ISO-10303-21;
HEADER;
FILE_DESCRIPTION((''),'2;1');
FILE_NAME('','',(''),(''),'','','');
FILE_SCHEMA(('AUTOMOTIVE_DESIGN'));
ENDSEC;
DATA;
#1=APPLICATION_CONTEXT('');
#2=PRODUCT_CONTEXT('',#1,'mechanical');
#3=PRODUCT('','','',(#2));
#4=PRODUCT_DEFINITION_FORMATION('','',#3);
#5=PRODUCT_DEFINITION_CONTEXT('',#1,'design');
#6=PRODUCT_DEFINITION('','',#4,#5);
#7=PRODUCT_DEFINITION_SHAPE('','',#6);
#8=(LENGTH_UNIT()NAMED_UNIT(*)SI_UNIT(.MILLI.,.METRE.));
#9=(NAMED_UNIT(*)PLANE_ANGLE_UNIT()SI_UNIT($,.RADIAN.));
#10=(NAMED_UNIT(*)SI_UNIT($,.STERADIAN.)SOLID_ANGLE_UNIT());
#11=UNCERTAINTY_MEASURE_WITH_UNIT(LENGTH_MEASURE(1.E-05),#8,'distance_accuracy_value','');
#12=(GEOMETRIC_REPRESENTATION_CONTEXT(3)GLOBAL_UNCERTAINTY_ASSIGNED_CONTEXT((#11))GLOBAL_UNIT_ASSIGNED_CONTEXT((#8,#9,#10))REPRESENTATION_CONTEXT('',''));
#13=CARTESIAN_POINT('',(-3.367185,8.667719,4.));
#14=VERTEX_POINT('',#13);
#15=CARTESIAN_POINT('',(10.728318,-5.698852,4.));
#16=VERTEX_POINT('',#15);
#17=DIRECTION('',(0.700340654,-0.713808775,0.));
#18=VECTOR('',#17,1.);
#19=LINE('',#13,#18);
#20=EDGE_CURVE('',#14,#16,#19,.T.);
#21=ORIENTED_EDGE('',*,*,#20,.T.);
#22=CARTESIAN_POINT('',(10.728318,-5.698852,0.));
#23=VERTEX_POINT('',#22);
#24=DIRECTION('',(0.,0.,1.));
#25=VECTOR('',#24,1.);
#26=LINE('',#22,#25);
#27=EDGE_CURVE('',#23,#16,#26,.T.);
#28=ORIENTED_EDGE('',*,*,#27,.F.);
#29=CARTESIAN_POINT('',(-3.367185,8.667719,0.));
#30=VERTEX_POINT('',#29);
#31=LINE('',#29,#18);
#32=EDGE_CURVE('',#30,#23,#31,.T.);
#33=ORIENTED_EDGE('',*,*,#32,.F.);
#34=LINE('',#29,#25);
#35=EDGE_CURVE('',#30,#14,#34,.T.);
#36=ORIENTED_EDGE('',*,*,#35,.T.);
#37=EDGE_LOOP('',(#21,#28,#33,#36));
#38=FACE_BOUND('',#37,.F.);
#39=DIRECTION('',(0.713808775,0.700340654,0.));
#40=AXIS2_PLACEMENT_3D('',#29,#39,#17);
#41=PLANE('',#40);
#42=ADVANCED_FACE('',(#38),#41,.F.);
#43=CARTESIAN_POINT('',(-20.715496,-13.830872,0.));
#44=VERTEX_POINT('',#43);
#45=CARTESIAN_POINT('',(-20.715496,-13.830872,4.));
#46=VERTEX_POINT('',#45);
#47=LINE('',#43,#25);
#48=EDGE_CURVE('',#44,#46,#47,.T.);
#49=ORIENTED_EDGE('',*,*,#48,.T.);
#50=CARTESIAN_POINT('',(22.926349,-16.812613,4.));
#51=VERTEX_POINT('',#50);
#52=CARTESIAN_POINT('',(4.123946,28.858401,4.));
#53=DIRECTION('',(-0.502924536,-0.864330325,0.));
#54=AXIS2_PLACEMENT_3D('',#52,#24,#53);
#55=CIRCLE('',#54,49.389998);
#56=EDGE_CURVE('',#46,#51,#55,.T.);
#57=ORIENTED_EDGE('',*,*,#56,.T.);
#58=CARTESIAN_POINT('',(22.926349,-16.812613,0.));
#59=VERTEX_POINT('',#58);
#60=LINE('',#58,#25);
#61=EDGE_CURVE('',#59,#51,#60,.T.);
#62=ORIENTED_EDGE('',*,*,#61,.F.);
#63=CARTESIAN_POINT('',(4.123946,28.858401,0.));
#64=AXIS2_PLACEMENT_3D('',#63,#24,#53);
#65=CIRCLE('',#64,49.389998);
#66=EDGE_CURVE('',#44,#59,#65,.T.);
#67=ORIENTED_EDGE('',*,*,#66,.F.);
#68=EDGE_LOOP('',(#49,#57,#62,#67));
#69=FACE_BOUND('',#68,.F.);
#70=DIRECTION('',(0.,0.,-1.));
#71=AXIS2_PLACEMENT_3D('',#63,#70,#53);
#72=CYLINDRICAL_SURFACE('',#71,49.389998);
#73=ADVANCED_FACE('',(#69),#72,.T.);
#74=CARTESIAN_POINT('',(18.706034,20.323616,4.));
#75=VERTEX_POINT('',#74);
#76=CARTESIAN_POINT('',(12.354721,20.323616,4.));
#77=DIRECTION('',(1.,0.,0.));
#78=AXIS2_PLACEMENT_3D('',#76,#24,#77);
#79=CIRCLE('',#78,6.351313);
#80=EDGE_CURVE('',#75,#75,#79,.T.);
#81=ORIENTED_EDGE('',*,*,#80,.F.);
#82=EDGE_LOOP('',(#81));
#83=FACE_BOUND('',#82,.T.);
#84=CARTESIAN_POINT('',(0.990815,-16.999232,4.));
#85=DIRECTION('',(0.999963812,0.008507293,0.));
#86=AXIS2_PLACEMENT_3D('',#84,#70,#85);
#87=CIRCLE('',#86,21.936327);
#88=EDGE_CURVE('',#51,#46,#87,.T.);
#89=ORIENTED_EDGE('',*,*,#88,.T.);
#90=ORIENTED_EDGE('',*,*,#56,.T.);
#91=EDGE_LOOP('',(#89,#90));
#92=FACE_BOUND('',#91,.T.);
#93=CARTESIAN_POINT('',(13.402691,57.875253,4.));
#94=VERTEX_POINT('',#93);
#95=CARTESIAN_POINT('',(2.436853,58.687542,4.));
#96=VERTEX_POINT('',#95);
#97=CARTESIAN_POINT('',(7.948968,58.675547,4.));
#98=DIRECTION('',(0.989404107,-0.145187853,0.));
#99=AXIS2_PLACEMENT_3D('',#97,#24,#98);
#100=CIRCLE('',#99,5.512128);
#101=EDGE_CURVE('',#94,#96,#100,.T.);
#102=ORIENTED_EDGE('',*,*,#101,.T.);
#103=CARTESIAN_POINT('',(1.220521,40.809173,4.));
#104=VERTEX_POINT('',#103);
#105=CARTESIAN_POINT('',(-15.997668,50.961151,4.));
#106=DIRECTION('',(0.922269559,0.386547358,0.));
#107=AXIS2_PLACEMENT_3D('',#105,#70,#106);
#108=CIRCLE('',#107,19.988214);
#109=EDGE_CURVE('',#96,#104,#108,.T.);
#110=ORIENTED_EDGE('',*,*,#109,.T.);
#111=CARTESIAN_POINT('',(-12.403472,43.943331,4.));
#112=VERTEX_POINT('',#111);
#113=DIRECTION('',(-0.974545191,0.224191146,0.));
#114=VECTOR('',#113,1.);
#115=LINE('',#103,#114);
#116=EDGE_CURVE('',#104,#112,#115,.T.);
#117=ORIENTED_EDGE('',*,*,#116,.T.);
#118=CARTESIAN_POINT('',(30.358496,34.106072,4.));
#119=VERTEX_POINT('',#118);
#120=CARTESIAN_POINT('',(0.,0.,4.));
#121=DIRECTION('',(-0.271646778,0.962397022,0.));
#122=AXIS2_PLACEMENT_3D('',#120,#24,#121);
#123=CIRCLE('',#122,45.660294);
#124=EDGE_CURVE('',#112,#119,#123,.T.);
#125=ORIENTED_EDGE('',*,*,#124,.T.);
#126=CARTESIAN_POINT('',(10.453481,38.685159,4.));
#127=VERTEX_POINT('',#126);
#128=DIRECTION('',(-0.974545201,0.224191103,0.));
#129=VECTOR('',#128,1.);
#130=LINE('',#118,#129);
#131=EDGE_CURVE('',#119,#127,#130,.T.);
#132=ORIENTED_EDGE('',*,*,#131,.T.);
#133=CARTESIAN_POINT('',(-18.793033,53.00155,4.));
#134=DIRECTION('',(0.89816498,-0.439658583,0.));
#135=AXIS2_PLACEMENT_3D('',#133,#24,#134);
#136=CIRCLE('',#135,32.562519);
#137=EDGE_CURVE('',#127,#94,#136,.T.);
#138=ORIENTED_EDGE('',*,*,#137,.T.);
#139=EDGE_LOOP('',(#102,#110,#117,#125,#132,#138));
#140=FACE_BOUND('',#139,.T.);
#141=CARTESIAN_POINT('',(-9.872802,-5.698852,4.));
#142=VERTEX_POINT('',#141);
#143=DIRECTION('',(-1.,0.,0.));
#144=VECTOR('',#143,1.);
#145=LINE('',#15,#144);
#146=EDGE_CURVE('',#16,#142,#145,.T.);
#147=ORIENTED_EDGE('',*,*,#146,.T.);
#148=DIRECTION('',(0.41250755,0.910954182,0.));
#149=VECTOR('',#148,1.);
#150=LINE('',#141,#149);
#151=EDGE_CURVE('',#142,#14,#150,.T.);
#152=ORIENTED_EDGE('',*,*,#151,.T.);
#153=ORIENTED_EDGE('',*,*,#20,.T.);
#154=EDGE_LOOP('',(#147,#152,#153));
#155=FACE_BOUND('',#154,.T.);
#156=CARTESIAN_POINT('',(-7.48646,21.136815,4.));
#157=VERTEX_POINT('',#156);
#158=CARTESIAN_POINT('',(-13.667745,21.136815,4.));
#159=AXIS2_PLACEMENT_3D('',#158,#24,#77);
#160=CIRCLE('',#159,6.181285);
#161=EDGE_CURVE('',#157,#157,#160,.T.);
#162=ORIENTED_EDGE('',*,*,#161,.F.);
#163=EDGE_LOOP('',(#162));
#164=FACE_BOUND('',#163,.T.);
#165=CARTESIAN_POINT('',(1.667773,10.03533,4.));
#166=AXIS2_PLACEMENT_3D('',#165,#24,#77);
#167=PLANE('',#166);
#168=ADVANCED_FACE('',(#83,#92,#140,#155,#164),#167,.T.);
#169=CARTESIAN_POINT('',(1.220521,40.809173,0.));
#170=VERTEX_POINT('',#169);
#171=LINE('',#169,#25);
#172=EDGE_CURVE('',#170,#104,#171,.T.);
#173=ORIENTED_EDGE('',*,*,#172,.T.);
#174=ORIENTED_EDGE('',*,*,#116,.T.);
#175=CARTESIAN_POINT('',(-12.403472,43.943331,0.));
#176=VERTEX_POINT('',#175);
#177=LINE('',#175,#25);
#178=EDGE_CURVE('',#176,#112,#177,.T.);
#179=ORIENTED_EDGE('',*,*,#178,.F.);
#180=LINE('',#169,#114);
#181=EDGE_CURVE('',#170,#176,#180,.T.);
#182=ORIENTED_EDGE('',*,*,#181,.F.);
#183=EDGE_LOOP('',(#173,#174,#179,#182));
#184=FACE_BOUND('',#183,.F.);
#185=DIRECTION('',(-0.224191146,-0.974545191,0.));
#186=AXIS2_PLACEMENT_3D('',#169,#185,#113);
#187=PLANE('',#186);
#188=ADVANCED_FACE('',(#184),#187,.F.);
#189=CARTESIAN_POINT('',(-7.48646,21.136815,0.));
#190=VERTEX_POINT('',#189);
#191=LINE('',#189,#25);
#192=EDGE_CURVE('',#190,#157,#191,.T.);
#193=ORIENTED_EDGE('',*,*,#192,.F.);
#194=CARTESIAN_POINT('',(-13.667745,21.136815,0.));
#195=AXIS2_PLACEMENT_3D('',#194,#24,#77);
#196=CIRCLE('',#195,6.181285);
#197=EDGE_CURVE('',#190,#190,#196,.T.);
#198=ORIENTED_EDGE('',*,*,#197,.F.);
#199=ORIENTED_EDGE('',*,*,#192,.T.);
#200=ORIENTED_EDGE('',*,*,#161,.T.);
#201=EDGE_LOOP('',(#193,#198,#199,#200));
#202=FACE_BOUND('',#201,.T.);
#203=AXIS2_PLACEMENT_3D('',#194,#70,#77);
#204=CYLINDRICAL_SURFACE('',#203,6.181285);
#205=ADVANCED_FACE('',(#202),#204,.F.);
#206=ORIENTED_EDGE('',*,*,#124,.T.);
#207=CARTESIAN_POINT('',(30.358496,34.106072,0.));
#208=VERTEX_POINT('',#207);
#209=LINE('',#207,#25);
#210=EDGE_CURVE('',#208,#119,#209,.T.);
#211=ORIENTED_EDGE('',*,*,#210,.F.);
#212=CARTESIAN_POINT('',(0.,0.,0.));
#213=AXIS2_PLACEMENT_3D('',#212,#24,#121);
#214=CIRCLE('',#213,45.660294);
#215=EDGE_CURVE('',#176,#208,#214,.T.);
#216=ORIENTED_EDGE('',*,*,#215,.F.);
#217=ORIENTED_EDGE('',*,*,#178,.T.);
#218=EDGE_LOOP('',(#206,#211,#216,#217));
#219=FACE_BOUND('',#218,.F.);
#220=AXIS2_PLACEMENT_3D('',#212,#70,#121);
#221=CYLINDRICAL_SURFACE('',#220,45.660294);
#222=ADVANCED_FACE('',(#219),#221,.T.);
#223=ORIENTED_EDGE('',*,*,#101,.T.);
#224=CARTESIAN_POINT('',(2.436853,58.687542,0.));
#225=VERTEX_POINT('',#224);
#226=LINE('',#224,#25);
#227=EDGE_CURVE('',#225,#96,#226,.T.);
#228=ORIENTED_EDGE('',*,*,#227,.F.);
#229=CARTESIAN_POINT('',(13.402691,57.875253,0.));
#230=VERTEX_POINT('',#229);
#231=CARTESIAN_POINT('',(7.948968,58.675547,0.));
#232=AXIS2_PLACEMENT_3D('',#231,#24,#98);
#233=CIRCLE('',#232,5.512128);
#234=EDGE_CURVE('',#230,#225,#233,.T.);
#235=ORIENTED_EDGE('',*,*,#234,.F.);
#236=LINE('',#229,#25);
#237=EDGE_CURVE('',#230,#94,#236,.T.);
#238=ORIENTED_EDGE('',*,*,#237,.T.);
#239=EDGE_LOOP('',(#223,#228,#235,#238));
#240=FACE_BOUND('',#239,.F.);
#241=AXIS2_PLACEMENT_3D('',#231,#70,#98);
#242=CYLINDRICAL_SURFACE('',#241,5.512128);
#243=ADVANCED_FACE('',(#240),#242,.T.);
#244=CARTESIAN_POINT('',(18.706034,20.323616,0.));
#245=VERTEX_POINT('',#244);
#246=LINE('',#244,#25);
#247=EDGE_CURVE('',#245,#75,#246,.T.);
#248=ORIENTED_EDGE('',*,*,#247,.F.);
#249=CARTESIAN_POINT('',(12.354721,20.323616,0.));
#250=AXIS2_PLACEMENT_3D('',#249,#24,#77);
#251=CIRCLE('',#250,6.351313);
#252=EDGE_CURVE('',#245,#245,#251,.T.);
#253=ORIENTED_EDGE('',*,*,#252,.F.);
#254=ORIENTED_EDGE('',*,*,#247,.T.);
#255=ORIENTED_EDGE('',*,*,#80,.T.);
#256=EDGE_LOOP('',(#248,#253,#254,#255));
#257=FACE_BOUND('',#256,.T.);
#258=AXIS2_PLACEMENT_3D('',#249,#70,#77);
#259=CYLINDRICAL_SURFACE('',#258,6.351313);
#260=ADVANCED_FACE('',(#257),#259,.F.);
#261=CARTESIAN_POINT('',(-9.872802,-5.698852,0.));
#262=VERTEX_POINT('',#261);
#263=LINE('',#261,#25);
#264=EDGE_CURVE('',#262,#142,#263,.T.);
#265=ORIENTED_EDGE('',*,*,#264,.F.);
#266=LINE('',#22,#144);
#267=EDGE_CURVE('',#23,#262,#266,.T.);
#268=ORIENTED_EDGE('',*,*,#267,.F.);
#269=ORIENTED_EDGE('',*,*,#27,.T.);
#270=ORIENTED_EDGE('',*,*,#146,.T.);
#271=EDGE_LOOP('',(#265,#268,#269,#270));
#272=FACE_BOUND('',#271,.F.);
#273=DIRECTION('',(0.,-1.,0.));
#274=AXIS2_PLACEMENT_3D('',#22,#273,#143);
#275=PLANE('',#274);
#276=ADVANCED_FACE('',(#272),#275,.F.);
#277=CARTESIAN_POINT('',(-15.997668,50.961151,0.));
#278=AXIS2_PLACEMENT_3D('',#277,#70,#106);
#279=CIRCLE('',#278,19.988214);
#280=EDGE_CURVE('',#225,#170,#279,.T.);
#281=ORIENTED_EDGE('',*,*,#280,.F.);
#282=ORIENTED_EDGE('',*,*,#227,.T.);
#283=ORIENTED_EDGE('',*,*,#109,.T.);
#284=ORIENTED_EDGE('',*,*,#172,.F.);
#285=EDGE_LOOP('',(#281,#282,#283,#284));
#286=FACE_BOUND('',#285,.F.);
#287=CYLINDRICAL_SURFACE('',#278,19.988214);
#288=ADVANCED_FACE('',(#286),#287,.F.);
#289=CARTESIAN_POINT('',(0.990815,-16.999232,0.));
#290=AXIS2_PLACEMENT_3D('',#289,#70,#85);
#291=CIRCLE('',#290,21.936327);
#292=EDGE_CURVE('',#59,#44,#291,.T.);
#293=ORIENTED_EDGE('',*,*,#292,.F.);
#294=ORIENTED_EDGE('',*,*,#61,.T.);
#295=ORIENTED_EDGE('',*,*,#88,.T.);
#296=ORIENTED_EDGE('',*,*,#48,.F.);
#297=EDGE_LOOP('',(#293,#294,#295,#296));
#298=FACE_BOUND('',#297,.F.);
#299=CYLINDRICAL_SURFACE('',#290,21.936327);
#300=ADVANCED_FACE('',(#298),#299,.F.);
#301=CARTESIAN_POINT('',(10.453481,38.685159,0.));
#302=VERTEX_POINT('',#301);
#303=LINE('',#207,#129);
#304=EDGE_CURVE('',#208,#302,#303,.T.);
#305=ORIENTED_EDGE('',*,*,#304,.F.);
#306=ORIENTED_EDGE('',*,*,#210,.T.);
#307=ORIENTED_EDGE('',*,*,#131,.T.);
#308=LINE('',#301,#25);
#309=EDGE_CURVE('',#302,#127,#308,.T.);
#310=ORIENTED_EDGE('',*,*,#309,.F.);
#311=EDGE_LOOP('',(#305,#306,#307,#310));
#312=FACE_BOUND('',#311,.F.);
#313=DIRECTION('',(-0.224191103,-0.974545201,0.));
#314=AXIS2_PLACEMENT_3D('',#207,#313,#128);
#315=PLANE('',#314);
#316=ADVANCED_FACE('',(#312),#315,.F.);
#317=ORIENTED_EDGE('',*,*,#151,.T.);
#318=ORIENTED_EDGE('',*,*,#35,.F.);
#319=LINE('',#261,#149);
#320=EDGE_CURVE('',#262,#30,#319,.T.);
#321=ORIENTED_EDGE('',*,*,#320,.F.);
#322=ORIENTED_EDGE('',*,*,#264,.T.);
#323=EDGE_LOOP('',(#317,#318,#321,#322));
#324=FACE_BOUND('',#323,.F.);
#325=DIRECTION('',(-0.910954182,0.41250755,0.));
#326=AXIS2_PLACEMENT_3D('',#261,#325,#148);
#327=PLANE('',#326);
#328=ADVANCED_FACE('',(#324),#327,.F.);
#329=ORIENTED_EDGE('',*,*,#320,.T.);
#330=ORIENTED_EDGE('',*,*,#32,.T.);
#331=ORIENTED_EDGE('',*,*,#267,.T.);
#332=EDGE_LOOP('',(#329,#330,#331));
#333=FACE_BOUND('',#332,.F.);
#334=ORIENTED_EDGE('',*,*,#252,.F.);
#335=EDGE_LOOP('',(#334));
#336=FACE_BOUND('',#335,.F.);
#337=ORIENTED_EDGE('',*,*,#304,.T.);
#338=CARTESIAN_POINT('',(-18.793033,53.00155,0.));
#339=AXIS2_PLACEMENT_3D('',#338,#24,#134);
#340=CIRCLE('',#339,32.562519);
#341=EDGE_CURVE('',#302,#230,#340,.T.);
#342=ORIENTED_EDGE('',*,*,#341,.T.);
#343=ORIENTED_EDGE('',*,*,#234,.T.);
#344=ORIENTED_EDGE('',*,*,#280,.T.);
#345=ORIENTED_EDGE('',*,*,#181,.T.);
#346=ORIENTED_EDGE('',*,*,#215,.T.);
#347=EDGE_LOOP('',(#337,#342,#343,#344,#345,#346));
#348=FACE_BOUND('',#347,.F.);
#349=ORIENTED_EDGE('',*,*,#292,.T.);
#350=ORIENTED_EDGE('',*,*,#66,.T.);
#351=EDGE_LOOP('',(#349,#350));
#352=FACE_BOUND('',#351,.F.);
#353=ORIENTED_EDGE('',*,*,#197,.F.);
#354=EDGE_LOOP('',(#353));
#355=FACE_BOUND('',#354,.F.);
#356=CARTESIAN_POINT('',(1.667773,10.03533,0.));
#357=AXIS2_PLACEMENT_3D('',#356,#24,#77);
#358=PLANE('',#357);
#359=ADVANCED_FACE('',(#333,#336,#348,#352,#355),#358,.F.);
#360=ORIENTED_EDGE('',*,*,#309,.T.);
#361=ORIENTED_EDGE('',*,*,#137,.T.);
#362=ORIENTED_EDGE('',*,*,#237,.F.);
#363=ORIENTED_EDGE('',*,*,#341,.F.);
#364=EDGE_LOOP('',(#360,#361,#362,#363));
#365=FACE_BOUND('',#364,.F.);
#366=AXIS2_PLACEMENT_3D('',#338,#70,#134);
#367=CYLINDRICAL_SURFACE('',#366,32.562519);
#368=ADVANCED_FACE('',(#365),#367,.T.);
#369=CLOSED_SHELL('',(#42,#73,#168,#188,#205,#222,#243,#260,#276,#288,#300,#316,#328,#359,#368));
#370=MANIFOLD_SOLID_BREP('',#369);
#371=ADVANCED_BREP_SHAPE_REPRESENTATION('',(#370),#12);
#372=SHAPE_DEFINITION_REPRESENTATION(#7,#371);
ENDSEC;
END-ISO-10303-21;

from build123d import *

# Parameters (mm, degrees)
F0_R     = 6.181285
F0_R_2   = 6.351313
F1_DEPTH = 4


with BuildPart() as f1:
    # F0 (on Top) → F1 (new body)
    with BuildSketch(Plane.XY):
        with BuildLine():
            Line((1.220521, 40.809173), (-12.403472, 43.943331))
            ThreePointArc((-12.403472, 43.943331), (-10.236632, -44.49802), (30.358496, 34.106072))
            Line((30.358496, 34.106072), (10.453481, 38.685159))
            ThreePointArc((10.453481, 38.685159), (13.391623, 48.055284), (13.402691, 57.875253))
            ThreePointArc((13.402691, 57.875253), (8.35616, 64.172615), (2.436853, 58.687542))
            ThreePointArc((2.436853, 58.687542), (3.944447, 49.604414), (1.220521, 40.809173))
        make_face()
        with BuildLine():
            ThreePointArc((22.926349, -16.812613), (-0.504454, -38.884538), (-20.715496, -13.830872))
            ThreePointArc((-20.715496, -13.830872), (0.757323, -20.416722), (22.926349, -16.812613))
        make_face(mode=Mode.SUBTRACT)
        Polygon((-9.872802, -5.698852), (-3.367185, 8.667719), (10.728318, -5.698852), align=None, mode=Mode.SUBTRACT)
        with Locations((-13.667745, 21.136815)):
            Circle(F0_R, mode=Mode.SUBTRACT)
        with Locations((12.354721, 20.323616)):
            Circle(F0_R_2, mode=Mode.SUBTRACT)
    extrude(amount=F1_DEPTH)


solid = f1.part
